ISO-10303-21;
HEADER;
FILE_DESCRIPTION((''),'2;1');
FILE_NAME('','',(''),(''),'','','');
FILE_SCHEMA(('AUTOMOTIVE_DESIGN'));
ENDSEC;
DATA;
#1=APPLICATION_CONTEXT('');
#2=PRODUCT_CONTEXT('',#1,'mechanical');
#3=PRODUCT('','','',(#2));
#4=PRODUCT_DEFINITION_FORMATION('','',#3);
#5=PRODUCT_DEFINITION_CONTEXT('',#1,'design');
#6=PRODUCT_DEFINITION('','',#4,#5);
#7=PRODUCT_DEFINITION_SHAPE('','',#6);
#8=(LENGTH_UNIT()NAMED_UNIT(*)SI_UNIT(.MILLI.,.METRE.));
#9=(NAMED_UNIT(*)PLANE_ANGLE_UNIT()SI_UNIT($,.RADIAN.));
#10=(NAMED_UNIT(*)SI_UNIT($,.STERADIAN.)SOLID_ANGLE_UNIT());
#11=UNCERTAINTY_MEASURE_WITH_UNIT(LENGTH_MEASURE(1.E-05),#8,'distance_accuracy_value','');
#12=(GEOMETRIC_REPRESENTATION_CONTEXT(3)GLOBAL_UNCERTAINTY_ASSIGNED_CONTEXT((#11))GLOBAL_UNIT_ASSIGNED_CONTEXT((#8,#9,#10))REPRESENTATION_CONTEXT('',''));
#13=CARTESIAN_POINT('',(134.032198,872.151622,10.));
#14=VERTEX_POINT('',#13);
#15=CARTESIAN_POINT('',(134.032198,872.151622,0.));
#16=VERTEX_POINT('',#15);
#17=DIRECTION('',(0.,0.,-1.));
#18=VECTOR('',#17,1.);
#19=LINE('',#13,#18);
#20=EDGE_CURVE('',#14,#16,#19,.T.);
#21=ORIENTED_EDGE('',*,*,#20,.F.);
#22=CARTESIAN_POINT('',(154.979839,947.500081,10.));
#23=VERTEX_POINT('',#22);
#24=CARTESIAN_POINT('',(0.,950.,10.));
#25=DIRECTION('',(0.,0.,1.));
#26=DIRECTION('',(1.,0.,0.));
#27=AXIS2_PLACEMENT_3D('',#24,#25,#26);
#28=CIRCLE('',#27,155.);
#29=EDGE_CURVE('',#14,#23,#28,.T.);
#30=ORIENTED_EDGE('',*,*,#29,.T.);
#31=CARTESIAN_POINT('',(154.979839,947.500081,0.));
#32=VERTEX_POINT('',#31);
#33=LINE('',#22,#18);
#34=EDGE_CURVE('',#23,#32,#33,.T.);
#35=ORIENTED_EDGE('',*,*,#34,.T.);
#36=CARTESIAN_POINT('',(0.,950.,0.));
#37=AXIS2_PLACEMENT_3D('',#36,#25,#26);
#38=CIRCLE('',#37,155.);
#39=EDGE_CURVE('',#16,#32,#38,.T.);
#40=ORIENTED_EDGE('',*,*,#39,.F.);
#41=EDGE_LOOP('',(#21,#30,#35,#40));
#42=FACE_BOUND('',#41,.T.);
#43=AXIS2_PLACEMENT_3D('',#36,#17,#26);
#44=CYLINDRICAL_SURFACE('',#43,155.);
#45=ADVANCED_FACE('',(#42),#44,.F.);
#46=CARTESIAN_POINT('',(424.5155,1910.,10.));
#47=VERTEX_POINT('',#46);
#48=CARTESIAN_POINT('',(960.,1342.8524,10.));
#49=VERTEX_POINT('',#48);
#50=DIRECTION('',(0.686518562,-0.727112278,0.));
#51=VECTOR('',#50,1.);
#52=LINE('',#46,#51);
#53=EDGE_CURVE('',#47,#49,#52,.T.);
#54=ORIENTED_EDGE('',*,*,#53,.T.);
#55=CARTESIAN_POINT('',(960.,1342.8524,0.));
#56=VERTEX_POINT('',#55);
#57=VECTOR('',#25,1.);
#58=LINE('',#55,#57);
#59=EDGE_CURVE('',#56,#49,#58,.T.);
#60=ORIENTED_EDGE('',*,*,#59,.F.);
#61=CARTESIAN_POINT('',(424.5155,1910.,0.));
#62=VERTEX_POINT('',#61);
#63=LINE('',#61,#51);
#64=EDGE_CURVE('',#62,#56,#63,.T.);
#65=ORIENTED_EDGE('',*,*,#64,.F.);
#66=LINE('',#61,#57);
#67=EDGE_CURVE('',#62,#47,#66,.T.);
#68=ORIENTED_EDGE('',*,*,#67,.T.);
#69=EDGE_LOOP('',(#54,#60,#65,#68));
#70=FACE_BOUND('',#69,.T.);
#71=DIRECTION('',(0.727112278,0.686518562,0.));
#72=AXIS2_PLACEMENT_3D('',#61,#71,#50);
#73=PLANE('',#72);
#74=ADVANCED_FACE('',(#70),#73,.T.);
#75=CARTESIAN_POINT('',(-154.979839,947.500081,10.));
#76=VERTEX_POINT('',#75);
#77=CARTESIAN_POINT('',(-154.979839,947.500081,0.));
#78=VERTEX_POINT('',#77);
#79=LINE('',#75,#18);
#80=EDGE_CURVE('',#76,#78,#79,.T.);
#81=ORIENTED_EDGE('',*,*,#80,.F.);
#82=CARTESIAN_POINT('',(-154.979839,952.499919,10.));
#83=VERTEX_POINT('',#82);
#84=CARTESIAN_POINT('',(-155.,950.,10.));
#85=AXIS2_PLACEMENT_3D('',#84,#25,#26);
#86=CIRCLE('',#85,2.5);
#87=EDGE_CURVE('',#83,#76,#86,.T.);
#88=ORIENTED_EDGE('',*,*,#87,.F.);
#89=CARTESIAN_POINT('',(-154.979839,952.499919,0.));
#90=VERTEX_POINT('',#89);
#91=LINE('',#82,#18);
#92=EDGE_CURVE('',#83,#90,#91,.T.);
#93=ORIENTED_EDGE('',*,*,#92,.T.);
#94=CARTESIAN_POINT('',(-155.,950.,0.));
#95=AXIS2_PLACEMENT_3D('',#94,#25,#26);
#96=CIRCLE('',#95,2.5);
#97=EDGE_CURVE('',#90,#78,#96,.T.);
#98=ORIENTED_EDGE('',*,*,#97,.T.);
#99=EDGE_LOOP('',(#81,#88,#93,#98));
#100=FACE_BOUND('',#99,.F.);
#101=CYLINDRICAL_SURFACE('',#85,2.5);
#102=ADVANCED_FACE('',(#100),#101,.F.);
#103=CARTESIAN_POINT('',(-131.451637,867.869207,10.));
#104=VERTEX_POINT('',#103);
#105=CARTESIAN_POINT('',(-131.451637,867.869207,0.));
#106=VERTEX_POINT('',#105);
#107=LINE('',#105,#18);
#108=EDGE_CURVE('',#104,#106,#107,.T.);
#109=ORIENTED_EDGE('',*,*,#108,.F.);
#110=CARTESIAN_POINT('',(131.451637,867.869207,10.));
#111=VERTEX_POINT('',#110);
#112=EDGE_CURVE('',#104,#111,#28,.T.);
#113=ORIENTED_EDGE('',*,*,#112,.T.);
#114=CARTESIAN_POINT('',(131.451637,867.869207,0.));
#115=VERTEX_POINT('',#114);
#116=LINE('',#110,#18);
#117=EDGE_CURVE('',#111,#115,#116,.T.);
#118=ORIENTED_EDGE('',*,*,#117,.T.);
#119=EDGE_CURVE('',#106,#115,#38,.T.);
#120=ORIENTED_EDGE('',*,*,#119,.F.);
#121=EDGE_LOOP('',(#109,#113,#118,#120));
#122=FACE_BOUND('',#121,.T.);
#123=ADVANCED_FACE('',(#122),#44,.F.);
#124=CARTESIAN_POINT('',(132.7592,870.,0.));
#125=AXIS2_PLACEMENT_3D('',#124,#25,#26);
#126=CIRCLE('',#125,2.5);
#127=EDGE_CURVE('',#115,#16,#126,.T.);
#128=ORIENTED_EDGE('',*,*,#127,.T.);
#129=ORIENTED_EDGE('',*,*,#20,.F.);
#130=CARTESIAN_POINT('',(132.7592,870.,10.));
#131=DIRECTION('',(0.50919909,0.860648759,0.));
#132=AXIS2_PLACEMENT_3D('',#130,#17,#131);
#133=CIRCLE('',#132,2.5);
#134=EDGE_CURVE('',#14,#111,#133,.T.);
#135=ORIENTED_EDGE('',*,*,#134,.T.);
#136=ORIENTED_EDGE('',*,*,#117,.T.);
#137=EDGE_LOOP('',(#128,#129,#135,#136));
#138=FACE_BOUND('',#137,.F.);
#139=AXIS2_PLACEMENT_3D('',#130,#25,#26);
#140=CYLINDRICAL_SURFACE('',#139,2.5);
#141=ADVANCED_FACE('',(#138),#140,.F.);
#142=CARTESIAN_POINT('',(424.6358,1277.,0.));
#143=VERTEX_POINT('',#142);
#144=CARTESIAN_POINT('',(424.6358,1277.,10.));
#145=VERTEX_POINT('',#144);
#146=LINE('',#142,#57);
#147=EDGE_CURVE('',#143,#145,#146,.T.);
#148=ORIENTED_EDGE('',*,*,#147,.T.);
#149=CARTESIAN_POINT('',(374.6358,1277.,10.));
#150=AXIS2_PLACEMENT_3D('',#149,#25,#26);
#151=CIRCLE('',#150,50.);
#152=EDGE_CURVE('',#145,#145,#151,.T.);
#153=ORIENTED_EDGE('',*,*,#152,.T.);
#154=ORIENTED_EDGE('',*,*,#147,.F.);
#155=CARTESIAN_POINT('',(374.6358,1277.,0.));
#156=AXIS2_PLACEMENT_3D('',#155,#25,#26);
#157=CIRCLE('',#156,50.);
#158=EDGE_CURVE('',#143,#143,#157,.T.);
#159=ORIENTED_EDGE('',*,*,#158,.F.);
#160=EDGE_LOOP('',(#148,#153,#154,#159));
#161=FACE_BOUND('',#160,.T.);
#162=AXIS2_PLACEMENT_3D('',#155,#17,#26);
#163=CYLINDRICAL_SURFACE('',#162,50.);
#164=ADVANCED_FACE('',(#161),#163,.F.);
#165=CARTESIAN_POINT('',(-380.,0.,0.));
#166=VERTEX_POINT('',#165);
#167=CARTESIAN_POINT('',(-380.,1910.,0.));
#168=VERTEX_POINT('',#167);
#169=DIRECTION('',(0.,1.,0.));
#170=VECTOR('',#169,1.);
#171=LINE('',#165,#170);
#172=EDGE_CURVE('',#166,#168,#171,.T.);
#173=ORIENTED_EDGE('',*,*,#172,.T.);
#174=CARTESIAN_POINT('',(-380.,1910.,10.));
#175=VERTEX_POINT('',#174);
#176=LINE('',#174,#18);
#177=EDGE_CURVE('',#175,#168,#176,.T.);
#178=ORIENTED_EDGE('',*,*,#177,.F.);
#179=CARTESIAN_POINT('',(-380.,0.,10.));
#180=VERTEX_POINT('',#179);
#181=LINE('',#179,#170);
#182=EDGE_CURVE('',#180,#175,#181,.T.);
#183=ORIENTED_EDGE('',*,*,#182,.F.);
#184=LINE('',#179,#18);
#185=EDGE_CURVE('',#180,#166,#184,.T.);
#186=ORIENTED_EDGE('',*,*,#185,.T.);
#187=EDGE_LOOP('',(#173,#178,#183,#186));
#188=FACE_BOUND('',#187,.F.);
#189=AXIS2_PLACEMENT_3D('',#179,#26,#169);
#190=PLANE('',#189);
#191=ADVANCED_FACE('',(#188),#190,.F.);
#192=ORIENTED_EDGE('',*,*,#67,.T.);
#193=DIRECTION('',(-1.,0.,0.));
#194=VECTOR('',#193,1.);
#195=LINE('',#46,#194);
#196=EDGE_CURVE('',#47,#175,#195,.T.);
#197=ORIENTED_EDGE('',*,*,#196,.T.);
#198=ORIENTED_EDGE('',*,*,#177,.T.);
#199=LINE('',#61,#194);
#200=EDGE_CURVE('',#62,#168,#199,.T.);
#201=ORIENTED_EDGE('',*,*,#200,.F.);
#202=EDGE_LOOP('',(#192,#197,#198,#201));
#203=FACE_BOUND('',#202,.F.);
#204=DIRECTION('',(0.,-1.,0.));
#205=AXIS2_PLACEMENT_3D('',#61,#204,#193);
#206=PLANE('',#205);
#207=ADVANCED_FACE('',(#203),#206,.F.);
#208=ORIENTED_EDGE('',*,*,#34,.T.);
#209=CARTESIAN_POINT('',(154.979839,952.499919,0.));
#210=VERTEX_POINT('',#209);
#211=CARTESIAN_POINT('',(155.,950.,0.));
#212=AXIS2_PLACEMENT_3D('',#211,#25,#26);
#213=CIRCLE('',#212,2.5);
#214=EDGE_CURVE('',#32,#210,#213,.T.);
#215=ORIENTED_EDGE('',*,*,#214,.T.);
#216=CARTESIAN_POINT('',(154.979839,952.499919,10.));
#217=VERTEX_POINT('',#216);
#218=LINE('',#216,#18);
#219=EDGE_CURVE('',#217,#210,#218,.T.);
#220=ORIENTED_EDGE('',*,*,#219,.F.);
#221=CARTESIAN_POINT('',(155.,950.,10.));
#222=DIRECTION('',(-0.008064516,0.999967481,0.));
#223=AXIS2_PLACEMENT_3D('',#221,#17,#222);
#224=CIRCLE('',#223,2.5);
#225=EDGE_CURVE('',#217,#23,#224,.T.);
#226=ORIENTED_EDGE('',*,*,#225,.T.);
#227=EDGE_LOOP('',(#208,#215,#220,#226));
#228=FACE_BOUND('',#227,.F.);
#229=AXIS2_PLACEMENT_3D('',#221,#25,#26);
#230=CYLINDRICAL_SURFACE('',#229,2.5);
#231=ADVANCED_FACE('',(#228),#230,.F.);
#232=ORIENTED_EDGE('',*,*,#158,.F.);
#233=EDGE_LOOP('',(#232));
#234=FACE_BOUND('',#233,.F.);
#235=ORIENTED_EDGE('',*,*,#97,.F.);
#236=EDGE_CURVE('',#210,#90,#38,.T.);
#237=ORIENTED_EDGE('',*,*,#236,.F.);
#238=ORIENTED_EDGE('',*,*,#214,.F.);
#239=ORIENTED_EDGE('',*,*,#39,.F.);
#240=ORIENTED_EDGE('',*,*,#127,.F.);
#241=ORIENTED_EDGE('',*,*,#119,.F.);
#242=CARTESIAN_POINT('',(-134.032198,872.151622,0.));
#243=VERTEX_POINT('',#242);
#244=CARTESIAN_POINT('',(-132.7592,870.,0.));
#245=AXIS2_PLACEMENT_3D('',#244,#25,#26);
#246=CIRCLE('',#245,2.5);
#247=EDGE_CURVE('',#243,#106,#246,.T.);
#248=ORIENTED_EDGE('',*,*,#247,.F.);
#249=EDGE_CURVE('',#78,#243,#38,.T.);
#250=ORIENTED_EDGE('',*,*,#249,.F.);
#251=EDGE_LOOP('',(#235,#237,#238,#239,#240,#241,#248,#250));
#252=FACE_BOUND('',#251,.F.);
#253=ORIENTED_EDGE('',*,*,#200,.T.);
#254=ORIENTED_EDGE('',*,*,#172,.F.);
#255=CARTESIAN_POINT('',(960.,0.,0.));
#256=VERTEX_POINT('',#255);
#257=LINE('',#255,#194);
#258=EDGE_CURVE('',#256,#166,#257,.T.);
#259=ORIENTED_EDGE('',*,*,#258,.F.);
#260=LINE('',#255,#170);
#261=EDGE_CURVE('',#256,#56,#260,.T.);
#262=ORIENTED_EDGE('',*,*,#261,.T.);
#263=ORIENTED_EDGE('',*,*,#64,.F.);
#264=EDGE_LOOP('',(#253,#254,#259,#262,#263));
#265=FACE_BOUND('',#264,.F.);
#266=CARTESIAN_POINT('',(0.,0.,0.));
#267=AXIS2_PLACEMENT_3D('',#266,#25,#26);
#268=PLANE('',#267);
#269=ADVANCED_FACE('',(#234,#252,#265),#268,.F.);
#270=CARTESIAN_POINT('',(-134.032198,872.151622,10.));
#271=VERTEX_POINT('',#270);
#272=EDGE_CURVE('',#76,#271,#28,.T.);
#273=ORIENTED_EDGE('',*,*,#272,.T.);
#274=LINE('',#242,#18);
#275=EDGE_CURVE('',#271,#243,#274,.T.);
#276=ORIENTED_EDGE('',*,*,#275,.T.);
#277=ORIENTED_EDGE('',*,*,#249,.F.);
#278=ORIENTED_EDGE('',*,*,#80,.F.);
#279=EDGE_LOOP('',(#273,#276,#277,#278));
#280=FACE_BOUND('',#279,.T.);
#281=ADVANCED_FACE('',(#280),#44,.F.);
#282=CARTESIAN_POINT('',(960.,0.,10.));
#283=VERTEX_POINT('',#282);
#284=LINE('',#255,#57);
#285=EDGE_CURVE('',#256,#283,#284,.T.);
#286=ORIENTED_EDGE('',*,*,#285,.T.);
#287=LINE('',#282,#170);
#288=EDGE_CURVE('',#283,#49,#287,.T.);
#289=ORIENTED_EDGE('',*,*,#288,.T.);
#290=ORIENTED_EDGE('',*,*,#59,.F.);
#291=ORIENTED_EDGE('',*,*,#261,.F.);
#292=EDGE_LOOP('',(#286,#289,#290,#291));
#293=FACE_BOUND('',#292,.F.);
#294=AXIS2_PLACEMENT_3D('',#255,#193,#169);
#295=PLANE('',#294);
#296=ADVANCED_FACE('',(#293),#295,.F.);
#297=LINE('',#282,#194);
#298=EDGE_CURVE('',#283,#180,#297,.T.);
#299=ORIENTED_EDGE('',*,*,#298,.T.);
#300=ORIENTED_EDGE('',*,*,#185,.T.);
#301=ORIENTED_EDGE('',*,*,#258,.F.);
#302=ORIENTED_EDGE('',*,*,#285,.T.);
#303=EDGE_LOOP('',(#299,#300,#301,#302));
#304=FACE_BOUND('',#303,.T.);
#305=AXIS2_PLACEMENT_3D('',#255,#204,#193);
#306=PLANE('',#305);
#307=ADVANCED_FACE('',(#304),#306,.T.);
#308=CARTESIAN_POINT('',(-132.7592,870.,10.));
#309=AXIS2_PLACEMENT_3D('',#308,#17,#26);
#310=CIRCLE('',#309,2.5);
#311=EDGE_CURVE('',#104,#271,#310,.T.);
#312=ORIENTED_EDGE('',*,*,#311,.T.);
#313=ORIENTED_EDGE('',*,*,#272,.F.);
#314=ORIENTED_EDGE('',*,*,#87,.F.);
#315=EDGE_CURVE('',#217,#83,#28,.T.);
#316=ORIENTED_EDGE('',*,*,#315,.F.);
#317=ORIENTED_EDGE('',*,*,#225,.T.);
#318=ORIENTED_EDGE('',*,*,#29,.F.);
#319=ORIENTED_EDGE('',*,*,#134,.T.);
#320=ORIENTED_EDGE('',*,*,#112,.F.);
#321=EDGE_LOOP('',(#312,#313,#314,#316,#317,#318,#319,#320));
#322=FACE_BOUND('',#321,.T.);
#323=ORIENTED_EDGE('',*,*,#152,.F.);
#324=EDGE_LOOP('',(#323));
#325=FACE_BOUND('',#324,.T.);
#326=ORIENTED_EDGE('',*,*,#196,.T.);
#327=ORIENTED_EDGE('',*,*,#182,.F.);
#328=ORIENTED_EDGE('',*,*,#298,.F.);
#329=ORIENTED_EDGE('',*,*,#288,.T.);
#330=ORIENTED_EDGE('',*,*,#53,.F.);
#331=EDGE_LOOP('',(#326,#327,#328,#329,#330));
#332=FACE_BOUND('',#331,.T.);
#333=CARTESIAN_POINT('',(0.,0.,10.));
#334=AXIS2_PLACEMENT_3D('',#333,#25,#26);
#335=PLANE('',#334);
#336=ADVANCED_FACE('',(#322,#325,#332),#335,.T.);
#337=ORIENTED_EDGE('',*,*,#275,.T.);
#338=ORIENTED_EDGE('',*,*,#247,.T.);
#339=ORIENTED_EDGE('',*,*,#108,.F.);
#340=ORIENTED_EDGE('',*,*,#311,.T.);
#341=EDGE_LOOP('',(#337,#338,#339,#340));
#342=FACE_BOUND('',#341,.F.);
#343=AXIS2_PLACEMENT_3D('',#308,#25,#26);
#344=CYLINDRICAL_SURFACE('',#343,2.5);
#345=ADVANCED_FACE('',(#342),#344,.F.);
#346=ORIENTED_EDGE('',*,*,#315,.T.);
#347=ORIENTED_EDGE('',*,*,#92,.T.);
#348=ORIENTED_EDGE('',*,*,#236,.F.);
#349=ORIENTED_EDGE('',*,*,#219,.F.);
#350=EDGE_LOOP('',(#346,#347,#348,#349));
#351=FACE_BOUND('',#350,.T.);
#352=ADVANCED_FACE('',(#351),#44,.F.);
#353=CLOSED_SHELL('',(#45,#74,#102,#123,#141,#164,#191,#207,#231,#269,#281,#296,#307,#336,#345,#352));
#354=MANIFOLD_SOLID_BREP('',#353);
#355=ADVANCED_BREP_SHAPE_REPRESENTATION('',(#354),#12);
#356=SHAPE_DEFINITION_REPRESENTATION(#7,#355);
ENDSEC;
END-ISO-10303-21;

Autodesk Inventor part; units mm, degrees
ref_plane "YZ Plane" through (0, 0, 0) normal (1, 0, 0) x (0, 1, 0)
ref_plane "XZ Plane" through (0, 0, 0) normal (0, 1, 0) x (-1, 0, 0)
ref_plane "XY Plane" through (0, 0, 0) normal (0, 0, 1) x (1, 0, 0)
sketch "Sketch1" plane through (0, 0, 0) normal (0, 0, 1) x (1, 0, 0)
  line L0 (0, 0) -> (0, 1910) construction
  line L1 (424.5155, 1910) -> (-415.4845, 1910)
  line L2 (-415.4845, 1910) -> (-1180, 1150)
  line L3 (-1180, 0) -> (-1180, 1150)
  line L4 (960, 0) -> (960, 1342.8524)
  line L5 (424.5155, 1910) -> (960, 1342.8524)
  circle A0 centre (0, 950) radius 195 construction
  line L6 (960, 0) -> (-1180, 0)
  circle A1 centre (-960, 220) radius 200
  circle A2 centre (-588, 255) radius 38
  circle A3 centre (374.6358, 1277) radius 50
  circle A4 centre (0, 950) radius 155
  point P0 (0, 955)
  dimension "d1" = 840
  dimension "d3" = 1150
  dimension "d11" = 390
  dimension "d12" = 1180
  dimension "d13" = 950
  dimension "d14" = 76
  dimension "d15" = 1910
  dimension "d16" = 255
  dimension "d17" = 220
  dimension "d18" = 400
  dimension "d19" = 220
  dimension "d21" = 1277
  dimension "d22" = 1554.6358
  dimension "d23" = 100
  dimension "d33" = 2140
  dimension "d34" = 494
  dimension "d45" = 310
  dimension "d49" = 372
  dimension "d51" = 780
  dimension "d52" = 1078
extrude "Extrusion1" add sketch "Sketch1" along normal blind 10
sketch "Sketch3" plane through (0, 0, 10) normal (0, 0, 1) x (1, 0, 0)
  line L0 (-400, 950) -> (400, 950) construction
  circle A0 centre (0, 950) radius 155 projected
  circle A1 centre (155, 950) radius 2.5
  circle A2 centre (-155, 950) radius 2.5
  line L1 (132.7592, 870) -> (-132.7592, 870) construction
  circle A3 centre (132.7592, 870) radius 2.5
  circle A4 centre (-132.7592, 870) radius 2.5
  point P0 (0, 0)
  point P1 (-154.9798, 947.5001)
  point P2 (-154.9798, 952.4999)
  point P3 (154.9798, 947.5001)
  point P4 (154.9798, 952.4999)
  point P5 (134.0322, 872.1516)
  point P6 (131.4516, 867.8692)
  dimension "d47" = 5
  dimension "d48" = 80
extrude "Extrusion3" cut sketch "Sketch3" against normal through all contours A0 A1 | A0 A2 | A3 A0 | A4 A0 | A0 A4 picked at (155.7492, 949.3589) picked at (-155.8257, 950.101) picked at (133.5004, 869.6223)
sketch "Sketch4" plane through (0, 0, 10) normal (0, 0, 1) x (1, 0, 0)
  arc A0 (154.9798, 947.5001) -> (154.9798, 952.4999) centre (155, 950) ccw projected
  arc A1 (134.0322, 872.1516) -> (154.9798, 947.5001) centre (0, 950) ccw projected
  arc A2 (131.4516, 867.8692) -> (134.0322, 872.1516) centre (132.7592, 870) ccw projected
  arc A3 (-131.4516, 867.8692) -> (131.4516, 867.8692) centre (0, 950) ccw projected
  arc A4 (-134.0322, 872.1516) -> (-131.4516, 867.8692) centre (-132.7592, 870) ccw projected
  arc A5 (-154.9798, 947.5001) -> (-134.0322, 872.1516) centre (0, 950) ccw projected
  arc A6 (-154.9798, 952.4999) -> (-154.9798, 947.5001) centre (-155, 950) ccw projected
  arc A7 (154.9798, 952.4999) -> (-154.9798, 952.4999) centre (0, 950) ccw projected
  line L0 (960, 1342.8524) -> (424.5155, 1910) projected
  line L1 (424.5155, 1910) -> (-415.4845, 1910) projected
  line L2 (-415.4845, 1910) -> (-1180, 1150) projected
  line L3 (-1180, 1150) -> (-1180, 0) projected
  line L4 (-1180, 0) -> (960, 0) projected
  line L5 (960, 0) -> (960, 1342.8524) projected
  circle A8 centre (374.6358, 1277) radius 50 projected
  circle A9 centre (-588, 255) radius 38 projected
  circle A10 centre (-960, 220) radius 200 projected
  line L6 (-380, 0) -> (-380, 1910)
  point P0 (0, 0)
  dimension "d53" = 1340
extrude "Extrusion4" cut sketch "Sketch4" against normal through all contours L6 L4 L3 L2 L1
equation "\"d17\" = d19"
properties part number "ДМФ 015 Стенка Нос ПРАВ"
